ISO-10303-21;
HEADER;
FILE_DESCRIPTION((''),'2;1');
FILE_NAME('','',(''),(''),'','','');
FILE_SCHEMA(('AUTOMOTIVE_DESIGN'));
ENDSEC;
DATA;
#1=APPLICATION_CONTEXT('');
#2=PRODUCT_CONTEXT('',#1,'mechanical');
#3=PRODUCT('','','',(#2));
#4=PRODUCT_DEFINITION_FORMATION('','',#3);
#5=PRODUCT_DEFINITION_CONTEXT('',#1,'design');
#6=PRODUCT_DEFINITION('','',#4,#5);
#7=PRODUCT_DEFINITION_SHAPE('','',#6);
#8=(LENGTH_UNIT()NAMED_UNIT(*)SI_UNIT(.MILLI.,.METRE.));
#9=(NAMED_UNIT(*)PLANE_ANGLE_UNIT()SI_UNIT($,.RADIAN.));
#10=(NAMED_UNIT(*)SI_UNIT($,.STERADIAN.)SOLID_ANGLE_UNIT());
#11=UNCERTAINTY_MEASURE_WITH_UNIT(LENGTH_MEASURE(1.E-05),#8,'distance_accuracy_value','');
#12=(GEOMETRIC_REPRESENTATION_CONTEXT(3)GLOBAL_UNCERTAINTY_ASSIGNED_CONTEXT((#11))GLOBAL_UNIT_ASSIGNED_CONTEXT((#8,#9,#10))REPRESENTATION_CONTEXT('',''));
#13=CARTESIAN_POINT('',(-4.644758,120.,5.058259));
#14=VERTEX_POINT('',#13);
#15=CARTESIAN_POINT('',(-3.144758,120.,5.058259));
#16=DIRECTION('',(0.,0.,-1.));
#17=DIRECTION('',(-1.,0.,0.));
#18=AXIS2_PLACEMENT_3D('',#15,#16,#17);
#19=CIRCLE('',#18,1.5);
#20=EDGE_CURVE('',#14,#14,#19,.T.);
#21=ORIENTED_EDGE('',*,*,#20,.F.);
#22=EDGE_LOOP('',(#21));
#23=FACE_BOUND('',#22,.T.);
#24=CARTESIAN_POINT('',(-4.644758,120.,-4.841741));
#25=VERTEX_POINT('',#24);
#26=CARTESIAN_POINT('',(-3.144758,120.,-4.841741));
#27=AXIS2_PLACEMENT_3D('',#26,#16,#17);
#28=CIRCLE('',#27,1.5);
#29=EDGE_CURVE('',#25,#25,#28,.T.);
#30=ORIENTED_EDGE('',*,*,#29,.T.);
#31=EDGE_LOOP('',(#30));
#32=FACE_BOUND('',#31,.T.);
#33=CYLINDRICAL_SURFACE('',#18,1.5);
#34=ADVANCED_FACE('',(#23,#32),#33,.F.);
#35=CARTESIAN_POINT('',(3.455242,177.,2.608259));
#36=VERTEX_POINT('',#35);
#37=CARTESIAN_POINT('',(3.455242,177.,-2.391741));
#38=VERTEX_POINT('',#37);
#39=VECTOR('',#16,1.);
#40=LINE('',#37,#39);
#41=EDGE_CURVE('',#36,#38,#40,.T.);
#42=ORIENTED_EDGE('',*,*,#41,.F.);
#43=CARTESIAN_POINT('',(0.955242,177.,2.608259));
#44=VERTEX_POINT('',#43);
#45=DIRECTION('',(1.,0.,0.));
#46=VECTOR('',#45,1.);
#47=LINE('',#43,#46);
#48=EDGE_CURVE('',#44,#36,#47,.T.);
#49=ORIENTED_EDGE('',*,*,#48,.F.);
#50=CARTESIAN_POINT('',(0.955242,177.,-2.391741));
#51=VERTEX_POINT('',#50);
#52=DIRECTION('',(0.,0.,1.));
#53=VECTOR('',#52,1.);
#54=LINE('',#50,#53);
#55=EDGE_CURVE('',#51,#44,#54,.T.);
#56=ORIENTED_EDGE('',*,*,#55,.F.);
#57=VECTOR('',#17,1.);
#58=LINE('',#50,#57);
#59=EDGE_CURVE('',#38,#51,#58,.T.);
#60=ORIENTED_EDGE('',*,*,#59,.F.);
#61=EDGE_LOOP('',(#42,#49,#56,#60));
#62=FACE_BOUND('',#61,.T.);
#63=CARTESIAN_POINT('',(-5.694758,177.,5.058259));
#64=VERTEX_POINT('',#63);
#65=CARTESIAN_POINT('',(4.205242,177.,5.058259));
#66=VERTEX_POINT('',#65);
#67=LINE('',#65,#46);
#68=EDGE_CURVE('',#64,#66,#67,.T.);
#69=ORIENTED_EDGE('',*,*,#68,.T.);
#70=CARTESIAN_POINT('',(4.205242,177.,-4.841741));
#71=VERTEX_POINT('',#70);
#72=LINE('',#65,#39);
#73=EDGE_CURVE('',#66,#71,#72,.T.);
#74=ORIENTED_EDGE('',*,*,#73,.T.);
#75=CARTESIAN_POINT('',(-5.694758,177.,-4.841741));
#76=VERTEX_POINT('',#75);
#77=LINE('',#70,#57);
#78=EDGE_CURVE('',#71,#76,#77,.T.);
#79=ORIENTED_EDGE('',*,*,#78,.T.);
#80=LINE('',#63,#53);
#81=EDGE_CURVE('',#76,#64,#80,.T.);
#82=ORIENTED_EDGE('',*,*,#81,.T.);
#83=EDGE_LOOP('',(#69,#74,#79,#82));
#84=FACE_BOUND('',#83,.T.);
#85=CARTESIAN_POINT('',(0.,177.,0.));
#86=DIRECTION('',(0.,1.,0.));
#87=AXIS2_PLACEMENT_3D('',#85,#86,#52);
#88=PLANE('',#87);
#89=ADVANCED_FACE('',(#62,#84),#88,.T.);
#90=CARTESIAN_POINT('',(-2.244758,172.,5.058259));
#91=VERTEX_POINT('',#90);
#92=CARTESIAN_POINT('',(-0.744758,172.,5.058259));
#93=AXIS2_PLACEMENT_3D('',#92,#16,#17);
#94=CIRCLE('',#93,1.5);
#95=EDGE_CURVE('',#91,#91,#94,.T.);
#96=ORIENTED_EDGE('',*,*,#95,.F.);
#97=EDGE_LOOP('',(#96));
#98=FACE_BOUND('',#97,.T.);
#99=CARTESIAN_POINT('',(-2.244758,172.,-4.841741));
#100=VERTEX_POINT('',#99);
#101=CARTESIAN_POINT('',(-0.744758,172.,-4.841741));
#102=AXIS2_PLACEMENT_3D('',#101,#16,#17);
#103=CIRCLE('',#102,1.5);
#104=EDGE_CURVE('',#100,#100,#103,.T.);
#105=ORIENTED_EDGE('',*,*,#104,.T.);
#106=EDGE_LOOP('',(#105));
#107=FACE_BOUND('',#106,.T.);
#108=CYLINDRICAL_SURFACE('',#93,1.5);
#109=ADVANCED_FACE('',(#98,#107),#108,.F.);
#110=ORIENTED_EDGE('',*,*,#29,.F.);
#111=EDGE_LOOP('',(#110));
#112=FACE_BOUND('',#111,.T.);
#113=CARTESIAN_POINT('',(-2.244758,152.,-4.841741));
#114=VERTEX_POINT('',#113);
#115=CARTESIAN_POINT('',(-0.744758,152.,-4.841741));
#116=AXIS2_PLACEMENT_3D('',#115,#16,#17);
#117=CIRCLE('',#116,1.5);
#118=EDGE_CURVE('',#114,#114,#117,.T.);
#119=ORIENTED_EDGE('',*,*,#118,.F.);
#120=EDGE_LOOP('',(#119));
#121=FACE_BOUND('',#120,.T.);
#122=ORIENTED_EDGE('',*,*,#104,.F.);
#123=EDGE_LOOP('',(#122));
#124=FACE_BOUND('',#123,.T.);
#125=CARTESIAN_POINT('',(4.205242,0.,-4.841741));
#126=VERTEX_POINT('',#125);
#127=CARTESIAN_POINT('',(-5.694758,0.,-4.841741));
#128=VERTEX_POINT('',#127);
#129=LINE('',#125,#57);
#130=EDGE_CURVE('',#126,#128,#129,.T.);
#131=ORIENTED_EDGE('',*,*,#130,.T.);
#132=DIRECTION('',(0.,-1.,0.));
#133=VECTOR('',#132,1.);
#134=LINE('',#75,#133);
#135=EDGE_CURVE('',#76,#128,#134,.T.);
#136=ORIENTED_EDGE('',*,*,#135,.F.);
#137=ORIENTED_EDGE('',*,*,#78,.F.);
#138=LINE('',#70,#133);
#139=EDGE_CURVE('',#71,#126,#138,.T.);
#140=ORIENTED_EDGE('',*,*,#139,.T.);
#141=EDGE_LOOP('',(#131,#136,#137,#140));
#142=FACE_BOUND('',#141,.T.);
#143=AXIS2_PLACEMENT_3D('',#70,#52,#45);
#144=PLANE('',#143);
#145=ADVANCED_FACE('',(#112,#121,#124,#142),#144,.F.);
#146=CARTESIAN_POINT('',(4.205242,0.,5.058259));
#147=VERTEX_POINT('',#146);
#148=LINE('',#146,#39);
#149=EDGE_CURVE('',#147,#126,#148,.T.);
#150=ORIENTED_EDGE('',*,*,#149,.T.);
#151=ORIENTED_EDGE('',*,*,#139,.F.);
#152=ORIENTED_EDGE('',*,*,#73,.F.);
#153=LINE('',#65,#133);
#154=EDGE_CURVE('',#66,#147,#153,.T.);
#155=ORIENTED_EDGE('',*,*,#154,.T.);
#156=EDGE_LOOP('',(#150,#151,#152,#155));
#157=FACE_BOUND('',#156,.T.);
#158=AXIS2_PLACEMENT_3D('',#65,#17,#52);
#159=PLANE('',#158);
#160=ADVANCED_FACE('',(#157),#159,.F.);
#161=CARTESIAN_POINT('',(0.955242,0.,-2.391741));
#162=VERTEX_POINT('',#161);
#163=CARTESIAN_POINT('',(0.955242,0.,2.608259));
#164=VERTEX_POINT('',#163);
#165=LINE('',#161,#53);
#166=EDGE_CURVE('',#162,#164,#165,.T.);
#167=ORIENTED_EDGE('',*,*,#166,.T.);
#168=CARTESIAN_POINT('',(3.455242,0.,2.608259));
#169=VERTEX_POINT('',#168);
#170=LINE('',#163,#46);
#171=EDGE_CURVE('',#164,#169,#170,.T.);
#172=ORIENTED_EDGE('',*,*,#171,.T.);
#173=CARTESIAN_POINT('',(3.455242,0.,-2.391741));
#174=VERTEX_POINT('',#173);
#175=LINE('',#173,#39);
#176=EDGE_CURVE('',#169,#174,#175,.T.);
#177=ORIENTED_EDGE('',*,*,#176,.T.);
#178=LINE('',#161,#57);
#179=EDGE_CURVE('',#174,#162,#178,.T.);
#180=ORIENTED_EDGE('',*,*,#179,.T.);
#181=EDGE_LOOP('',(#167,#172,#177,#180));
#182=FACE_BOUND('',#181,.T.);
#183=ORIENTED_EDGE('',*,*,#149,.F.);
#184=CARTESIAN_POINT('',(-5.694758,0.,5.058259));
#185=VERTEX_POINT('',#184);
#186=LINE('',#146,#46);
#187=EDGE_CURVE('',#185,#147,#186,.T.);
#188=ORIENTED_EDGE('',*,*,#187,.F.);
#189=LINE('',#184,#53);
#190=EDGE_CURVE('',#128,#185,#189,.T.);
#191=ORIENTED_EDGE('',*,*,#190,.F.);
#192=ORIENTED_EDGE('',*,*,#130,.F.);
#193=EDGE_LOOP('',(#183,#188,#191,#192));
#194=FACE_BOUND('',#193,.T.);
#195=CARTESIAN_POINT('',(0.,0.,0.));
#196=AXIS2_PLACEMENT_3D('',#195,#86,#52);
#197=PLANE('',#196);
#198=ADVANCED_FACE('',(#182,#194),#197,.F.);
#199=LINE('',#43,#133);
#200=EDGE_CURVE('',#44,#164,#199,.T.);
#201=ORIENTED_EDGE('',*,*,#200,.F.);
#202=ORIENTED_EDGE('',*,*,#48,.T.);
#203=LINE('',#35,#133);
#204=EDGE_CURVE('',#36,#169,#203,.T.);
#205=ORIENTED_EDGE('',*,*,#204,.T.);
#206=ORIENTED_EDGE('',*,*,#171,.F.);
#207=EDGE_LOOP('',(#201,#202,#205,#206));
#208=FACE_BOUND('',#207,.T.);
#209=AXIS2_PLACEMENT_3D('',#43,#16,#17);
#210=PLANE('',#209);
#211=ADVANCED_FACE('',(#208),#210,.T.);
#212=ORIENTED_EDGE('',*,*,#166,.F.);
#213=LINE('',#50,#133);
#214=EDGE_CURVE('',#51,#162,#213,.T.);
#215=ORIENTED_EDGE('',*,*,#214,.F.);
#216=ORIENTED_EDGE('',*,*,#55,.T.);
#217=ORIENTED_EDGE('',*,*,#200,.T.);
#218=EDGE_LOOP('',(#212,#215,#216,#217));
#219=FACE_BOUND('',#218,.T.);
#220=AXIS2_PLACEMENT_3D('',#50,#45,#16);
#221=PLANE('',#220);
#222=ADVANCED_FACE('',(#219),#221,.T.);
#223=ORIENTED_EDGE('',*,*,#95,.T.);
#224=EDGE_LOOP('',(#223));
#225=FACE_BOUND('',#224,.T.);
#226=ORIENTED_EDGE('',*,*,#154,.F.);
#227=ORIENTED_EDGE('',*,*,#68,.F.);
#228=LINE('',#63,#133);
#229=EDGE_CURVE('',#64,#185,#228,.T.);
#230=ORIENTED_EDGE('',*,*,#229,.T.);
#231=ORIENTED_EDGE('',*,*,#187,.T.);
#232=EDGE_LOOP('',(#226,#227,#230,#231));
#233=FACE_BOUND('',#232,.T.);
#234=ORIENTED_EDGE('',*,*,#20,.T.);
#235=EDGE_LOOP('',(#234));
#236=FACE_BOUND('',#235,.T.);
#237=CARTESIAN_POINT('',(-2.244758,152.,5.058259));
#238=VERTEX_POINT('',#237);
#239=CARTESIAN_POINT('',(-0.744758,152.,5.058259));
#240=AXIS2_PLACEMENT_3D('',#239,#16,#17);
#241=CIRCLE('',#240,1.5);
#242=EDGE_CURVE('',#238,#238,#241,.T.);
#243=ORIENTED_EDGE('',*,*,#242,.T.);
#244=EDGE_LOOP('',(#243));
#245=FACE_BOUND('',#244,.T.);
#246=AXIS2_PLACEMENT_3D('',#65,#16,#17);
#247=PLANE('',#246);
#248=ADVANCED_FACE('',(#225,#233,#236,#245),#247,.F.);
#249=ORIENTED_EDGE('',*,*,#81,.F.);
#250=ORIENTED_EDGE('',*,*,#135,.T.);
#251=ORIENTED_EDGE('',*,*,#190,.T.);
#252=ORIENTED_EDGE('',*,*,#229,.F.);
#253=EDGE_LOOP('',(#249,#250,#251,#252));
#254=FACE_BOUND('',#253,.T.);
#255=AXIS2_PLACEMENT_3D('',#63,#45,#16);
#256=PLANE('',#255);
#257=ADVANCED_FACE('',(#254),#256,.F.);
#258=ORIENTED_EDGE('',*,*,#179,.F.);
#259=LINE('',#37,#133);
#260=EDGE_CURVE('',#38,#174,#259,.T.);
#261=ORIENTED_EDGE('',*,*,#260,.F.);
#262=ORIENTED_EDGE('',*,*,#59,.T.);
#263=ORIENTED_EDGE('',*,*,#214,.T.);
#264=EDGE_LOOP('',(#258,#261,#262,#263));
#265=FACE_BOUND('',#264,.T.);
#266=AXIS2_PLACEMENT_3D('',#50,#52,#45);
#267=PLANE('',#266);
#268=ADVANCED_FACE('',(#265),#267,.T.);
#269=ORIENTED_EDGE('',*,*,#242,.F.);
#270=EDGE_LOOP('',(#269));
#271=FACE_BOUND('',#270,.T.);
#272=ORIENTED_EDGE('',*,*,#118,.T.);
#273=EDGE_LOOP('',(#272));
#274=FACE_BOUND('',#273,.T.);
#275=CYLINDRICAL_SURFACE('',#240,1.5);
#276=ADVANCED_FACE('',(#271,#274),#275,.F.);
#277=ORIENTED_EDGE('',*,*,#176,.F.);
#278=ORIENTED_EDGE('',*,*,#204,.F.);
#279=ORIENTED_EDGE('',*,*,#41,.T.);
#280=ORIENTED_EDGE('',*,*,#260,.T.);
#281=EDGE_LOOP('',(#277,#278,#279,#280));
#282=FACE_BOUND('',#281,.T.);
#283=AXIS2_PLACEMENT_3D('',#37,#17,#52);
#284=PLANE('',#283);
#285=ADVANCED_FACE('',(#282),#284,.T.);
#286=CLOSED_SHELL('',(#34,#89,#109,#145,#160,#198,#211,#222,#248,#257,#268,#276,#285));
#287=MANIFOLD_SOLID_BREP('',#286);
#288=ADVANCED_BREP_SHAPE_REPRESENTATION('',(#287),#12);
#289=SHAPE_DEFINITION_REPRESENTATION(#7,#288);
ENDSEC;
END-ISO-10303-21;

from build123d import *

# Parameters (mm, degrees)
SKETCH_1_W         = 9.9
SKETCH_1_H         = 9.9
SKETCH_1_W_2       = 2.5
SKETCH_1_H_2       = 5
EXTRUDE_1_DEPTH    = 177
SKETCH2_R          = 1.5
CUT_EXTRUDE2_DEPTH = 10.9


with BuildPart() as part:
    # Эскиз1 → Бобышка-Вытянуть1 (new body)
    with BuildSketch(Plane(origin=(0, 0, 0), x_dir=(1, 0, 0), z_dir=(0, 1, 0))):
        with Locations((-0.744758221, -0.10825854)):
            Rectangle(SKETCH_1_W, SKETCH_1_H)
        with Locations((2.205241779, -0.10825854)):
            Rectangle(SKETCH_1_W_2, SKETCH_1_H_2, mode=Mode.SUBTRACT)
    extrude(amount=EXTRUDE_1_DEPTH)

    # Sketch2 → Cut-Extrude2 (cut, through all)
    with BuildSketch(Plane(origin=(0, 0, -4.84174146), x_dir=(-1, 0, 0), z_dir=(0, 0, -1))):
        with Locations((0.744758221, 172)):
            Circle(SKETCH2_R)
        with Locations((3.144758221, 120)):
            Circle(SKETCH2_R)
        with Locations((0.744758221, 152)):
            Circle(SKETCH2_R)
    extrude(amount=-CUT_EXTRUDE2_DEPTH, mode=Mode.SUBTRACT)


solid = part.part
